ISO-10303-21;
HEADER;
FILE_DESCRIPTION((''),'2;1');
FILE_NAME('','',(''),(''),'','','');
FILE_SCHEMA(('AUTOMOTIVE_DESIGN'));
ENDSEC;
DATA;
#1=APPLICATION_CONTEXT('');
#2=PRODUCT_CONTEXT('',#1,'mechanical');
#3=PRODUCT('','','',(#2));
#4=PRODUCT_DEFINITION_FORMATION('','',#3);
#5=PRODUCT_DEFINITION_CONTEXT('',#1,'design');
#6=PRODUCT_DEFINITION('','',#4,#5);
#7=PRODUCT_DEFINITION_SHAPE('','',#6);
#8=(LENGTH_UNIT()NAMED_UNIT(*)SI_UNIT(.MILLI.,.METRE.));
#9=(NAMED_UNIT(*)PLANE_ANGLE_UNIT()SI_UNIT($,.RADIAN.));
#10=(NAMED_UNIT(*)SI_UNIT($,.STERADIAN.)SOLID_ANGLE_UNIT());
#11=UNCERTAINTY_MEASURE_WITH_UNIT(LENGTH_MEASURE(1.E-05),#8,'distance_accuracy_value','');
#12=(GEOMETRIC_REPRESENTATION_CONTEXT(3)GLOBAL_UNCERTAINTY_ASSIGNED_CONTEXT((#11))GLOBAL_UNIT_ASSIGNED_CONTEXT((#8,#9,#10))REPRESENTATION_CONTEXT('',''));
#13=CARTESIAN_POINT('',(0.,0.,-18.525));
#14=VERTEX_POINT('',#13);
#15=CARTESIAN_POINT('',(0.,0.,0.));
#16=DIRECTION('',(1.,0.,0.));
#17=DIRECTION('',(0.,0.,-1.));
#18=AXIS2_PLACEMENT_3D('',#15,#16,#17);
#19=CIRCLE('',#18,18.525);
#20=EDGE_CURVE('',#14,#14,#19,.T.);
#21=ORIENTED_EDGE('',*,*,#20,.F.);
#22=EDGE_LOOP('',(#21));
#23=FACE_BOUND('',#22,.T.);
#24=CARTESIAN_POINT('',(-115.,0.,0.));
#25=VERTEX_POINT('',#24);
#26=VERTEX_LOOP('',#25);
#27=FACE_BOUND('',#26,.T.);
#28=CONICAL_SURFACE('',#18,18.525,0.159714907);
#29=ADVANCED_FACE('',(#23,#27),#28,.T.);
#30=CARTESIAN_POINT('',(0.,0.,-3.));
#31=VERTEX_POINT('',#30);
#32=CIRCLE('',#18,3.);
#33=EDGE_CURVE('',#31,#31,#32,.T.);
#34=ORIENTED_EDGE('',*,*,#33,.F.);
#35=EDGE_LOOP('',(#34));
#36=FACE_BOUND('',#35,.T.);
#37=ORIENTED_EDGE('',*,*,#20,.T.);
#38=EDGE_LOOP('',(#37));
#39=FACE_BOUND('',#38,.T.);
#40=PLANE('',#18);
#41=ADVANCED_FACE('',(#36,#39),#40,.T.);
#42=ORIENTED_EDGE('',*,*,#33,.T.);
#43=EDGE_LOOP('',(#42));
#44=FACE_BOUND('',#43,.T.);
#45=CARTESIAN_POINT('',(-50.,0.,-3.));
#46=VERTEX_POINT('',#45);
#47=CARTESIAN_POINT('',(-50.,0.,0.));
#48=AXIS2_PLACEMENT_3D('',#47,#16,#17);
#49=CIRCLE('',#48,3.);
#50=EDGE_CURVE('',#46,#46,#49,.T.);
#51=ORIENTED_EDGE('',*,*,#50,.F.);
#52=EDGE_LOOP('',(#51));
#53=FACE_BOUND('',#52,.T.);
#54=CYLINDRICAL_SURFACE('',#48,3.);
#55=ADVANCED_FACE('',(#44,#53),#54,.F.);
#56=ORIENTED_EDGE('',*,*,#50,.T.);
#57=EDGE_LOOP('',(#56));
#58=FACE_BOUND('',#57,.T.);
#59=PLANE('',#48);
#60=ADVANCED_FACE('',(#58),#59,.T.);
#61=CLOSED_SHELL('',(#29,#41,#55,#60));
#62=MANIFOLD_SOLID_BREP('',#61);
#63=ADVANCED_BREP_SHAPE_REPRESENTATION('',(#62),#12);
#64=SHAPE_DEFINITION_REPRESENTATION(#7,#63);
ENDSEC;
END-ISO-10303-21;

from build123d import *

# Parameters (mm, degrees)
SKETCH2_R          = 3
CUT_EXTRUDE1_DEPTH = 50


with BuildPart() as part:
    # Sketch1 → Revolve1 (revolve)
    with BuildSketch(Plane.XY, mode=Mode.PRIVATE) as revolve1_sk:
        Polygon((0, 0), (0, 18.525), (-115, 0), align=None)
    revolve(revolve1_sk.sketch.rotate(Axis((0, 0, 0), (-1, 0, 0)), 90), axis=Axis((0, 0, 0), (-1, 0, 0)))

    # Sketch2 → Cut-Extrude1 (cut)
    with BuildSketch(Plane(origin=(0, 0, 0), x_dir=(0, 0, -1), z_dir=(1, 0, 0))):
        Circle(SKETCH2_R)
    extrude(amount=-CUT_EXTRUDE1_DEPTH, mode=Mode.SUBTRACT)


solid = part.part
